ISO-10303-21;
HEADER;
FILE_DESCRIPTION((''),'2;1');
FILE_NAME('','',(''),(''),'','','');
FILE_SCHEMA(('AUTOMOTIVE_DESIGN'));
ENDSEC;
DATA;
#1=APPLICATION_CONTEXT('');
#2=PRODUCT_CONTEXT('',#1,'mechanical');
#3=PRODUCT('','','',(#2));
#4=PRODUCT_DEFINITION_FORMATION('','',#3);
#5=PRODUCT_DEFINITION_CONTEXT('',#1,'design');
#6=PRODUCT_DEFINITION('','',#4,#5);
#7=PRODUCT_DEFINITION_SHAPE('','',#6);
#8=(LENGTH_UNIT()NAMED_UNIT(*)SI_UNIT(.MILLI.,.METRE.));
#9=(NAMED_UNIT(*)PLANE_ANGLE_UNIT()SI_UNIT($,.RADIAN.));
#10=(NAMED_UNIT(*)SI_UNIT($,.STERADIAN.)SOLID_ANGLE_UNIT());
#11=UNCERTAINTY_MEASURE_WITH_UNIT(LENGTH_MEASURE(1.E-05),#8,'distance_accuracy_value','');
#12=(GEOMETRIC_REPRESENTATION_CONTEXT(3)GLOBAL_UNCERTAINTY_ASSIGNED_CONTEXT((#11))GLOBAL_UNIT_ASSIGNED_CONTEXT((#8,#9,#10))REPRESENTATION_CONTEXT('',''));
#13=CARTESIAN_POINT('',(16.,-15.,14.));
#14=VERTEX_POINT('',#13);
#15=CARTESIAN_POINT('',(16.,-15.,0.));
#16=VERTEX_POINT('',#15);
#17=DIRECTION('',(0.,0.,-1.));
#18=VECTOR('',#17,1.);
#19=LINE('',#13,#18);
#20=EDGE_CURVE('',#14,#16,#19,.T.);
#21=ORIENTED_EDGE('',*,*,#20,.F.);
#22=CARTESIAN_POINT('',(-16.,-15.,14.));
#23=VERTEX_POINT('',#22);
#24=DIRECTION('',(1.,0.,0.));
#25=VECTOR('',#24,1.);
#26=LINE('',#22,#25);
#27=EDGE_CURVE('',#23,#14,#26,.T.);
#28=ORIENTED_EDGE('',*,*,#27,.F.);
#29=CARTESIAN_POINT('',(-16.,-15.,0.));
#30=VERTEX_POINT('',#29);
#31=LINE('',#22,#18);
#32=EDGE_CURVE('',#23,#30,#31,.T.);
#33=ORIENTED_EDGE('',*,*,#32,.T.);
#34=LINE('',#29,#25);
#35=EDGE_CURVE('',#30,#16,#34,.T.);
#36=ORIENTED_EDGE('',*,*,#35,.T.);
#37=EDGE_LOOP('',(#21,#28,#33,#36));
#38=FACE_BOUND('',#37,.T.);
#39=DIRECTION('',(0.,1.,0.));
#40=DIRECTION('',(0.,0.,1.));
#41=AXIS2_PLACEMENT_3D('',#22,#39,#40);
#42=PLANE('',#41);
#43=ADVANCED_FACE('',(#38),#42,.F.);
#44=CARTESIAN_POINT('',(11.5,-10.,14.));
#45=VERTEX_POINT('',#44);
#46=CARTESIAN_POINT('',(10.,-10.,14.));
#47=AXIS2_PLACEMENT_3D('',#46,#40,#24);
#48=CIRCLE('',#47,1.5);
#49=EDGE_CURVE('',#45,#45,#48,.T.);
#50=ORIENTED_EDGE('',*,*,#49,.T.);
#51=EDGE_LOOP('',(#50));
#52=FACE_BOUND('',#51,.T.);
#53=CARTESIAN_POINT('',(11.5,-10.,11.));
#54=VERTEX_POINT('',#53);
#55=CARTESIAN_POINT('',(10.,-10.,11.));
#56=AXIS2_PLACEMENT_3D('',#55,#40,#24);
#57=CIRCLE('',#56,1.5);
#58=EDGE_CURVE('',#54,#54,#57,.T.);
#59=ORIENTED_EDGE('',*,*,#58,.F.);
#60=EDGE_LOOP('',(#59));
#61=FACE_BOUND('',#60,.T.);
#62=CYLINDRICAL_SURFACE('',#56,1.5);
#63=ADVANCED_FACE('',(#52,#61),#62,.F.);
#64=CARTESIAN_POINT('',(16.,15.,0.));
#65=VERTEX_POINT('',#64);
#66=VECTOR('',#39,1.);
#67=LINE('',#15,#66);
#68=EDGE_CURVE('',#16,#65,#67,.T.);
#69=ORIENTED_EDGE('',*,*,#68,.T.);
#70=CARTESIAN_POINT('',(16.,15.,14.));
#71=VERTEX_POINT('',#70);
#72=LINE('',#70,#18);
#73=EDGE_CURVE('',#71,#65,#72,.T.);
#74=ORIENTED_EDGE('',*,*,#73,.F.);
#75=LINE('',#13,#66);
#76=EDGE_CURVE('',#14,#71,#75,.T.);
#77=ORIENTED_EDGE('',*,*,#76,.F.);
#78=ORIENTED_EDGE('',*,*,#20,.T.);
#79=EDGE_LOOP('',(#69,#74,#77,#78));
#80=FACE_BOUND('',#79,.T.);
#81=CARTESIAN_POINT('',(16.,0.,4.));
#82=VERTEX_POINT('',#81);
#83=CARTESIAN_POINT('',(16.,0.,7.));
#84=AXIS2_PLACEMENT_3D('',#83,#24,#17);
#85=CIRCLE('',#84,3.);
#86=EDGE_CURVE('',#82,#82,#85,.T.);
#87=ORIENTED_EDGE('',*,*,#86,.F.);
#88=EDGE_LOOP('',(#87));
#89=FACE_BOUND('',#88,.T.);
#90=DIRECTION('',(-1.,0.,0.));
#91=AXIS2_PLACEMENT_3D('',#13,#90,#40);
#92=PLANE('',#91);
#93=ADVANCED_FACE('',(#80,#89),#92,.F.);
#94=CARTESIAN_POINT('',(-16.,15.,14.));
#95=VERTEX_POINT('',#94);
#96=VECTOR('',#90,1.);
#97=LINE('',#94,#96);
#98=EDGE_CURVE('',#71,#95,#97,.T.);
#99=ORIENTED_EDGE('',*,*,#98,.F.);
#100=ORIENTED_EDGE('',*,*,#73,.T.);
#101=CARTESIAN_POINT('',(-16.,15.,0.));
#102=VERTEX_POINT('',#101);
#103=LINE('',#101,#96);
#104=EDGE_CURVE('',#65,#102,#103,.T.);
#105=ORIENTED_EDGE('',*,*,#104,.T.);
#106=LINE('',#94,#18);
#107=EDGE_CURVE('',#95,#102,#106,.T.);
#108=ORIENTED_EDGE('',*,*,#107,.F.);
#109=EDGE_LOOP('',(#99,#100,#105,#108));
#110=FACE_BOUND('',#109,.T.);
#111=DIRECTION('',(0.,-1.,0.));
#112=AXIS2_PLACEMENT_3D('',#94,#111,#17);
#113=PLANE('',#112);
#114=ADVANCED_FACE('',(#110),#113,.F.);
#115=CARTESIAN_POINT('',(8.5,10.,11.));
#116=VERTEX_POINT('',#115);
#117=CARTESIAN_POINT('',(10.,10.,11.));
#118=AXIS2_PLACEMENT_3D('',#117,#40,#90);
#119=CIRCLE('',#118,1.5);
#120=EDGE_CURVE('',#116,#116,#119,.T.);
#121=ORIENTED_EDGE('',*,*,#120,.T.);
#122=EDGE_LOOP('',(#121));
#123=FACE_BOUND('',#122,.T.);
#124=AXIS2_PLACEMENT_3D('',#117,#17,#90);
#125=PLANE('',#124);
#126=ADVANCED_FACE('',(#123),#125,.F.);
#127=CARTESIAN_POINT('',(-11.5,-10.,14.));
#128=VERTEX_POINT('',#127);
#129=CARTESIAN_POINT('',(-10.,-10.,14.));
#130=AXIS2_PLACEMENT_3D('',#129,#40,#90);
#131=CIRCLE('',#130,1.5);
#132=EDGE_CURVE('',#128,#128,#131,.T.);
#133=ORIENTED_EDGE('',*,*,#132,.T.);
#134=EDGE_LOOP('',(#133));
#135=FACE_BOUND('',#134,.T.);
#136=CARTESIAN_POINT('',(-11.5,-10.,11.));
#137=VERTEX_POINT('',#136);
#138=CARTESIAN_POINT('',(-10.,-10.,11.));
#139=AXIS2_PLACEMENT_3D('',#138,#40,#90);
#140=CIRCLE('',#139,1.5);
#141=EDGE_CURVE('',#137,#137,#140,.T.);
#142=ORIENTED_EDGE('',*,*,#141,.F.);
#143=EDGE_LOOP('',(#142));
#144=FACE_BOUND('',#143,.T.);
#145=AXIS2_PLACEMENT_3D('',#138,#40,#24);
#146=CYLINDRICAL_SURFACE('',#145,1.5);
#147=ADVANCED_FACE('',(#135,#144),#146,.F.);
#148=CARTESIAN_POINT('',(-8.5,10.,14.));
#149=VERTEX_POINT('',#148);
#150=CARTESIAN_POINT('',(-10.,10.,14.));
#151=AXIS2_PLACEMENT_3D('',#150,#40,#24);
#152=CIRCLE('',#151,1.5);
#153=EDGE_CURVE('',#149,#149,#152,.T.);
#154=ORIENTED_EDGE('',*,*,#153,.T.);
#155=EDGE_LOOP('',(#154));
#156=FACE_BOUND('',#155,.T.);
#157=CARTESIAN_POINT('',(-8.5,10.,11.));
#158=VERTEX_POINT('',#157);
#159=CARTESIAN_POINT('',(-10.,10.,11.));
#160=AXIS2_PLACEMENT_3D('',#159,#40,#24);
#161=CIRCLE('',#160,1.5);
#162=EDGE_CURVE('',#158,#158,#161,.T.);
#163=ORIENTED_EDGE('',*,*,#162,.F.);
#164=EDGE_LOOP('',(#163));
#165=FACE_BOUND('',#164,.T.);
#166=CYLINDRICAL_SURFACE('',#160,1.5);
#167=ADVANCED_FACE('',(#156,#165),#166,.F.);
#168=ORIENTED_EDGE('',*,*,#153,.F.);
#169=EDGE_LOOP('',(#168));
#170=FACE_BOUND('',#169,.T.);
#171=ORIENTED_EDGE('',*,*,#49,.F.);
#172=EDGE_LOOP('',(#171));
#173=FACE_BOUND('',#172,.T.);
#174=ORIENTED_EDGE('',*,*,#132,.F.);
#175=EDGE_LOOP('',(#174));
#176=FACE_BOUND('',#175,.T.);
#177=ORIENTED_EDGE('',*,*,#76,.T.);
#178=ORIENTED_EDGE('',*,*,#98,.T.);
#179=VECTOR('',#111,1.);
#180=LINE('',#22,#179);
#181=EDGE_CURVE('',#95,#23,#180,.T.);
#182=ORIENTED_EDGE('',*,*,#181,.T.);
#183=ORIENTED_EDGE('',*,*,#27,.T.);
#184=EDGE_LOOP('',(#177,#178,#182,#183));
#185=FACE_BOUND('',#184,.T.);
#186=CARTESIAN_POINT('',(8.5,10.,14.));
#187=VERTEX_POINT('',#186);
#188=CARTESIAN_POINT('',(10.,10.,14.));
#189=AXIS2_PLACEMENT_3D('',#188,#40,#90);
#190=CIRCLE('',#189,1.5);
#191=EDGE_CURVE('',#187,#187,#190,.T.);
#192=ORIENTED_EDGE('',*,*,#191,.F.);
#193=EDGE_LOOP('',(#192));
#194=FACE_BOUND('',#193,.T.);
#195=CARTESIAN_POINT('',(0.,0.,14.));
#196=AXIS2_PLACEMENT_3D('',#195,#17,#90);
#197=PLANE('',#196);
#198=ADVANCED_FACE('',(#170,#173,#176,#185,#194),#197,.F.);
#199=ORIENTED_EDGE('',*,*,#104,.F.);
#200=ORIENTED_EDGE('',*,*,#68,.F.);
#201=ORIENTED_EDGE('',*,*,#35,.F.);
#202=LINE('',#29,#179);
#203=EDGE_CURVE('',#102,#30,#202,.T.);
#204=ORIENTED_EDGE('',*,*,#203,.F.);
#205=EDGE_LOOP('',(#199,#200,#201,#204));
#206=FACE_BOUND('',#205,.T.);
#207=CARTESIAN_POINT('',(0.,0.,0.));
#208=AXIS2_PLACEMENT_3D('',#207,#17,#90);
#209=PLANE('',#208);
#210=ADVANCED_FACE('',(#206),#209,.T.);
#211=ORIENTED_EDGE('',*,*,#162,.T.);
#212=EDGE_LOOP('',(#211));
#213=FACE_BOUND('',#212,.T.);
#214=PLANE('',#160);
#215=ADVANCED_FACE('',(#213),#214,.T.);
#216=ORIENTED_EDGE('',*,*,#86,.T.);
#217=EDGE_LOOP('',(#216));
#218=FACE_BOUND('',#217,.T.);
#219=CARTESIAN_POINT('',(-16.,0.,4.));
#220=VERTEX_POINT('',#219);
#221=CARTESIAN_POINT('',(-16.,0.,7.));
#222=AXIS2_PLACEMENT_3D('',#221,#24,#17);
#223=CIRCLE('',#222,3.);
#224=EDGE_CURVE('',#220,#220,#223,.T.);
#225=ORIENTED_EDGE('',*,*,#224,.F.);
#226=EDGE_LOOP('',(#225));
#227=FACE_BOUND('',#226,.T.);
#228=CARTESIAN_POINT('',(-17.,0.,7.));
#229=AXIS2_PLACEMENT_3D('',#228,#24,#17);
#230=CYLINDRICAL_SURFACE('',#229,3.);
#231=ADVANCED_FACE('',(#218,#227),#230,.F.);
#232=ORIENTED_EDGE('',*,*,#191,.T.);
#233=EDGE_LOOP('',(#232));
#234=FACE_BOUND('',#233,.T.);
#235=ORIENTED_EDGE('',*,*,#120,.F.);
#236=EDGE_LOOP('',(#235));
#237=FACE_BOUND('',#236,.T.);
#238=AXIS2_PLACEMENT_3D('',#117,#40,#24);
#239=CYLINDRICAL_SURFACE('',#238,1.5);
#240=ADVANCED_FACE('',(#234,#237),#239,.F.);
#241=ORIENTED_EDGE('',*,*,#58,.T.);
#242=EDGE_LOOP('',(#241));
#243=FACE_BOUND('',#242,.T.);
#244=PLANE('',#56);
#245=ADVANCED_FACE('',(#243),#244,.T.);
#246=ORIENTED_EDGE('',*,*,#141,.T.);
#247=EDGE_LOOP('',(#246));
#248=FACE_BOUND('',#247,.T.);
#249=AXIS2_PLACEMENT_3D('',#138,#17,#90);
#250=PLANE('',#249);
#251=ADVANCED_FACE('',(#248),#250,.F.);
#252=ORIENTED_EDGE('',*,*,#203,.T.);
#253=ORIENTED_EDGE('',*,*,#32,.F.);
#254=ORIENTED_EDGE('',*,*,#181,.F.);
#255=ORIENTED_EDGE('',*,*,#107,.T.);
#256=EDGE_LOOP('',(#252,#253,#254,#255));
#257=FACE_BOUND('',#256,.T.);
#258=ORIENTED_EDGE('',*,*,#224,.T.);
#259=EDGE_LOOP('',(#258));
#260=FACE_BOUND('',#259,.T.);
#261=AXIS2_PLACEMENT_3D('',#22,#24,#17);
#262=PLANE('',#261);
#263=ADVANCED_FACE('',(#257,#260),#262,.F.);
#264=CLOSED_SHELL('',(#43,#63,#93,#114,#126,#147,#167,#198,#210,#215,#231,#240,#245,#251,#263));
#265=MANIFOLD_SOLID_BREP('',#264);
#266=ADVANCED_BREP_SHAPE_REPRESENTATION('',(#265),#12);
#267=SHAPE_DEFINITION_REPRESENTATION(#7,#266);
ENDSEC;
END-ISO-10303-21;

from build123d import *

# Parameters (mm, degrees)
SKETCH_1_W          = 32
SKETCH_1_H          = 30
EXTRUDE_1_DEPTH     = 14
SKETCH_2_R          = 3
CUT_EXTRUDE_1_DEPTH = 33
SKETCH_3_R          = 1.5
CUT_EXTRUDE_2_DEPTH = 3


with BuildPart() as part:
    # 草图1 → 凸台-拉伸1 (new body)
    with BuildSketch(Plane.XY):
        Rectangle(SKETCH_1_W, SKETCH_1_H)
    extrude(amount=EXTRUDE_1_DEPTH)

    # 草图2 → 切除-拉伸1 (cut)
    with BuildSketch(Plane(origin=(16, 0, 0), x_dir=(0, 0, -1), z_dir=(1, 0, 0))):
        with Locations((-7, 0)):
            Circle(SKETCH_2_R)
    extrude(amount=-CUT_EXTRUDE_1_DEPTH, mode=Mode.SUBTRACT)

    # 草图3 → 切除-拉伸2 (cut)
    with BuildSketch(Plane.XY.offset(14)):
        with Locations((-10, 10)):
            Circle(SKETCH_3_R)
        with Locations((10, 10)):
            Circle(SKETCH_3_R)
        with Locations((10, -10)):
            Circle(SKETCH_3_R)
        with Locations((-10, -10)):
            Circle(SKETCH_3_R)
    extrude(amount=-CUT_EXTRUDE_2_DEPTH, mode=Mode.SUBTRACT)


solid = part.part
